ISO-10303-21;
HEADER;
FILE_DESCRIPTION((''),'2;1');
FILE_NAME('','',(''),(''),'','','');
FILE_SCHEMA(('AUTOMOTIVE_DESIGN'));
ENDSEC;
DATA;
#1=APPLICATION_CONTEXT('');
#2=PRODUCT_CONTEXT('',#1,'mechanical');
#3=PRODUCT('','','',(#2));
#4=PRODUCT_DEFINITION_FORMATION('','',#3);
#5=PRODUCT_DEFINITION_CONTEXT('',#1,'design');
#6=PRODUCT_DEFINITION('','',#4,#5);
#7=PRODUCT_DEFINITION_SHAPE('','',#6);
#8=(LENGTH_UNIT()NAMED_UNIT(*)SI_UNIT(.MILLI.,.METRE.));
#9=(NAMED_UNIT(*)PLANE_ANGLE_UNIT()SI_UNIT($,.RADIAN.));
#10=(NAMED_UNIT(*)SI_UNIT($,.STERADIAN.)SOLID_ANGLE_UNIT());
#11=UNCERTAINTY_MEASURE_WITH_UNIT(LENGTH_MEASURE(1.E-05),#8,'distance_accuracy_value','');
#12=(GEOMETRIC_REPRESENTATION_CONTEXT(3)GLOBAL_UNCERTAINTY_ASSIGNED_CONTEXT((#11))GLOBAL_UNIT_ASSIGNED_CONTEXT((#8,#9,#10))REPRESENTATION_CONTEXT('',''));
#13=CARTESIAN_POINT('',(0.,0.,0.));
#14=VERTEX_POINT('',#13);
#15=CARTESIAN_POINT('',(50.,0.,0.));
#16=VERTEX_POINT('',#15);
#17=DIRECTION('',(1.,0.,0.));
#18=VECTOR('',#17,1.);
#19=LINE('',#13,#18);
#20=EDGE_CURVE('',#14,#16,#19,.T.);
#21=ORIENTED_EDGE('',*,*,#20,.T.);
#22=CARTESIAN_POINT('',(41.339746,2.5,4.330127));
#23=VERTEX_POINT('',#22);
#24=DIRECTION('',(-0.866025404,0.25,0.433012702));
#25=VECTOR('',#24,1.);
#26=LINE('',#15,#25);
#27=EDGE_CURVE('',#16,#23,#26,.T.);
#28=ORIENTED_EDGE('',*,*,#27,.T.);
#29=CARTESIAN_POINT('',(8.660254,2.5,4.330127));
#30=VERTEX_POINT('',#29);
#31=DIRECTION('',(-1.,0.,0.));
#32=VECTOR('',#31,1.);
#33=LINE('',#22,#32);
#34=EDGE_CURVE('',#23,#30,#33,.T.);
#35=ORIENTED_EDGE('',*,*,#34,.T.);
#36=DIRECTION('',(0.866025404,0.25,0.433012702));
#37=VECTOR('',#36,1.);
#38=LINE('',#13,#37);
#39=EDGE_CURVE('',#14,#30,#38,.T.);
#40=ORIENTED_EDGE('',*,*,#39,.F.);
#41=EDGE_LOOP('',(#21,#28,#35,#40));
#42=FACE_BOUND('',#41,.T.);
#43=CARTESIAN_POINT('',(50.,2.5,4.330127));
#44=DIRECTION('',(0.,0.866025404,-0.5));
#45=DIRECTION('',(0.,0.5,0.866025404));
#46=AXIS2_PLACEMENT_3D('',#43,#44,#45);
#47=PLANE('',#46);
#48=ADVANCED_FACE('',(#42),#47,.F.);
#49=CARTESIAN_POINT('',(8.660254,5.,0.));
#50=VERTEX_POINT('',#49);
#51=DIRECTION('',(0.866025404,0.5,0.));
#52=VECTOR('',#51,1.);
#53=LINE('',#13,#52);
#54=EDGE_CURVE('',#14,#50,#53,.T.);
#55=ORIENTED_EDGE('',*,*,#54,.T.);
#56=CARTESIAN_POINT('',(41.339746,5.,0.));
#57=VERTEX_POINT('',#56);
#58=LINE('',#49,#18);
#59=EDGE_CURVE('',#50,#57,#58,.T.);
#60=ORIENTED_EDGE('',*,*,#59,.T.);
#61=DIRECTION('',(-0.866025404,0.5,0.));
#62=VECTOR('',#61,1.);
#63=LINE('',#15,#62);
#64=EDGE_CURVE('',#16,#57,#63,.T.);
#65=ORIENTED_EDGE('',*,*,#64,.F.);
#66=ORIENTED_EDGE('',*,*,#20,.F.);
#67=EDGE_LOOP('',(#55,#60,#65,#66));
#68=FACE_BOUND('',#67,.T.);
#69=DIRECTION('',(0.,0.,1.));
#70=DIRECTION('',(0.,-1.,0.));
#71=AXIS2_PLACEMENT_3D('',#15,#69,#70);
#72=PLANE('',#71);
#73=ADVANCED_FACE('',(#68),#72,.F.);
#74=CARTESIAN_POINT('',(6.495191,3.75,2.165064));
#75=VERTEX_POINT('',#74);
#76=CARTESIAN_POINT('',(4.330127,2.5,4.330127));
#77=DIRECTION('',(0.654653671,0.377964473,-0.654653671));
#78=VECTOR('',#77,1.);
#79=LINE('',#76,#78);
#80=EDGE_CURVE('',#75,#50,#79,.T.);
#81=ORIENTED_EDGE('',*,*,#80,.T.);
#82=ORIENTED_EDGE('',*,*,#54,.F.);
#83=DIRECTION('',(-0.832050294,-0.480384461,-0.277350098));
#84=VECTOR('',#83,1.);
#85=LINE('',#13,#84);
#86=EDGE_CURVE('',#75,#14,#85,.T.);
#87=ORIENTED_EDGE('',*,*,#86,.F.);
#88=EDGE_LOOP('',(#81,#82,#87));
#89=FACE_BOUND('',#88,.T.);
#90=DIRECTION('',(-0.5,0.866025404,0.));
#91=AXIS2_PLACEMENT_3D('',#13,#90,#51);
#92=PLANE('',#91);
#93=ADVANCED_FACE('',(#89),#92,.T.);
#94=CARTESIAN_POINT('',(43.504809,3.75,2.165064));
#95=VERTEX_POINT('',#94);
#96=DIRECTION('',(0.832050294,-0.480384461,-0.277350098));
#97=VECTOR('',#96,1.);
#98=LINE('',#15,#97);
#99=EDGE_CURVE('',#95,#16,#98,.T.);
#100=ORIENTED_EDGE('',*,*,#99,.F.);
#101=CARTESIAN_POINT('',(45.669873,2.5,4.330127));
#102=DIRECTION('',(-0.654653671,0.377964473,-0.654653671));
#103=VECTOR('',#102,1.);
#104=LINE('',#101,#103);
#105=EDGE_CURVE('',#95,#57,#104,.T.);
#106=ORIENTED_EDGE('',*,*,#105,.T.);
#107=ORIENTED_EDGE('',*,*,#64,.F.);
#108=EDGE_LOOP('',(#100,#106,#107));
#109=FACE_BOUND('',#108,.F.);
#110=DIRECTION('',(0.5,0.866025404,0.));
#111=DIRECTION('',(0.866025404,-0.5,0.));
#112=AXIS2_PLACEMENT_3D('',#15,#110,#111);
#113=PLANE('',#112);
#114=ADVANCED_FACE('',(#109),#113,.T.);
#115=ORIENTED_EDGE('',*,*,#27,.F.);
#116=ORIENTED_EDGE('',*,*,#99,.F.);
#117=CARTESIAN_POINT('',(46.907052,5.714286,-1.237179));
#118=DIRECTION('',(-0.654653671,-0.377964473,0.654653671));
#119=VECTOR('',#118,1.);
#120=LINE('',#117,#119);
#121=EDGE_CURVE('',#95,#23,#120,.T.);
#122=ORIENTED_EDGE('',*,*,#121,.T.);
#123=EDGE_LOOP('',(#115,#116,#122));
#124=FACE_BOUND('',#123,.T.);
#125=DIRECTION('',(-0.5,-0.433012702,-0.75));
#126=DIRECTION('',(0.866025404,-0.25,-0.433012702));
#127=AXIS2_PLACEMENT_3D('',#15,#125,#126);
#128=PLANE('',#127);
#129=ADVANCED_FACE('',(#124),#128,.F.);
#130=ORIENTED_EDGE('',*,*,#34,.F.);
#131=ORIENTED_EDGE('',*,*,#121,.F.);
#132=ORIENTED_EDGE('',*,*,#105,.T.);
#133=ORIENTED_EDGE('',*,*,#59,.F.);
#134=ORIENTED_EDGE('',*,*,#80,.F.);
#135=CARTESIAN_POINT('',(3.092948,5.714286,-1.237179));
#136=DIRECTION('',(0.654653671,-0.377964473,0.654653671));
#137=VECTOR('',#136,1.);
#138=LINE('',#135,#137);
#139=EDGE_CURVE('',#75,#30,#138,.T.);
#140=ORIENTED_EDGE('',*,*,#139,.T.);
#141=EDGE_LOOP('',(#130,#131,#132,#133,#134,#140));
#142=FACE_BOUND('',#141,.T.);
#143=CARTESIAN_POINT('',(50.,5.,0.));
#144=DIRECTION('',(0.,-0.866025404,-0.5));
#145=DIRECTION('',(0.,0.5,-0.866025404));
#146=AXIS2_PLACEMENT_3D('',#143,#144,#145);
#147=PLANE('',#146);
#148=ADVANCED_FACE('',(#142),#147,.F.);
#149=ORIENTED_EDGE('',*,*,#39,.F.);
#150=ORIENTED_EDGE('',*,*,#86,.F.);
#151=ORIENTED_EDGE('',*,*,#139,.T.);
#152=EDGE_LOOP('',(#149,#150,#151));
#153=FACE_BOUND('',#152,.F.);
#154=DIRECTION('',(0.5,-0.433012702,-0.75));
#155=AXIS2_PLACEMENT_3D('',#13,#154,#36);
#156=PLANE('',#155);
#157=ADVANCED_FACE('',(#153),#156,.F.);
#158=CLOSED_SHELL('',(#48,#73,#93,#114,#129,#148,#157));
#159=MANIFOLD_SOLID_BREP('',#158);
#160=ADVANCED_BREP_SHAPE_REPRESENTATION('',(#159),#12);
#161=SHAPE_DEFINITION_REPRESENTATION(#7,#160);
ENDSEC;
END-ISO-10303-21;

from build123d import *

# Parameters (mm, degrees)
F1_DEPTH = 40
F3_DEPTH = 25
F5_DEPTH = 25


with BuildPart() as f1:
    # F0 (on Right) → F1 (new body)
    with BuildSketch(Plane.YZ):
        Polygon((2.5, 4.3301270189), (0, 0), (5, 0), align=None)
    extrude(amount=F1_DEPTH)

    # F2 (on Top) → F3 (cut)
    with BuildSketch(Plane.XY):
        Polygon((0, 9.8450229721), (0, 0), (17.0520799894, 9.8450229721), align=None)
    extrude(amount=F3_DEPTH, mode=Mode.SUBTRACT)

    # F4 (on face) → F5 (cut)
    with BuildSketch(Plane(origin=(0, 0, 0), x_dir=(1, 0, 0), z_dir=(0, -0.8660254038, 0.5))):
        Polygon((0, 9.1414814892), (0, 0), (15.8335103958, 9.1414814892), align=None)
    extrude(amount=-F5_DEPTH, mode=Mode.SUBTRACT)

    # F7: F1 across plane


with BuildPart() as f1_1:
    add(f1.part)
    add(f1.part.mirror(Plane.YZ.offset(25)))


solid = f1_1.part
